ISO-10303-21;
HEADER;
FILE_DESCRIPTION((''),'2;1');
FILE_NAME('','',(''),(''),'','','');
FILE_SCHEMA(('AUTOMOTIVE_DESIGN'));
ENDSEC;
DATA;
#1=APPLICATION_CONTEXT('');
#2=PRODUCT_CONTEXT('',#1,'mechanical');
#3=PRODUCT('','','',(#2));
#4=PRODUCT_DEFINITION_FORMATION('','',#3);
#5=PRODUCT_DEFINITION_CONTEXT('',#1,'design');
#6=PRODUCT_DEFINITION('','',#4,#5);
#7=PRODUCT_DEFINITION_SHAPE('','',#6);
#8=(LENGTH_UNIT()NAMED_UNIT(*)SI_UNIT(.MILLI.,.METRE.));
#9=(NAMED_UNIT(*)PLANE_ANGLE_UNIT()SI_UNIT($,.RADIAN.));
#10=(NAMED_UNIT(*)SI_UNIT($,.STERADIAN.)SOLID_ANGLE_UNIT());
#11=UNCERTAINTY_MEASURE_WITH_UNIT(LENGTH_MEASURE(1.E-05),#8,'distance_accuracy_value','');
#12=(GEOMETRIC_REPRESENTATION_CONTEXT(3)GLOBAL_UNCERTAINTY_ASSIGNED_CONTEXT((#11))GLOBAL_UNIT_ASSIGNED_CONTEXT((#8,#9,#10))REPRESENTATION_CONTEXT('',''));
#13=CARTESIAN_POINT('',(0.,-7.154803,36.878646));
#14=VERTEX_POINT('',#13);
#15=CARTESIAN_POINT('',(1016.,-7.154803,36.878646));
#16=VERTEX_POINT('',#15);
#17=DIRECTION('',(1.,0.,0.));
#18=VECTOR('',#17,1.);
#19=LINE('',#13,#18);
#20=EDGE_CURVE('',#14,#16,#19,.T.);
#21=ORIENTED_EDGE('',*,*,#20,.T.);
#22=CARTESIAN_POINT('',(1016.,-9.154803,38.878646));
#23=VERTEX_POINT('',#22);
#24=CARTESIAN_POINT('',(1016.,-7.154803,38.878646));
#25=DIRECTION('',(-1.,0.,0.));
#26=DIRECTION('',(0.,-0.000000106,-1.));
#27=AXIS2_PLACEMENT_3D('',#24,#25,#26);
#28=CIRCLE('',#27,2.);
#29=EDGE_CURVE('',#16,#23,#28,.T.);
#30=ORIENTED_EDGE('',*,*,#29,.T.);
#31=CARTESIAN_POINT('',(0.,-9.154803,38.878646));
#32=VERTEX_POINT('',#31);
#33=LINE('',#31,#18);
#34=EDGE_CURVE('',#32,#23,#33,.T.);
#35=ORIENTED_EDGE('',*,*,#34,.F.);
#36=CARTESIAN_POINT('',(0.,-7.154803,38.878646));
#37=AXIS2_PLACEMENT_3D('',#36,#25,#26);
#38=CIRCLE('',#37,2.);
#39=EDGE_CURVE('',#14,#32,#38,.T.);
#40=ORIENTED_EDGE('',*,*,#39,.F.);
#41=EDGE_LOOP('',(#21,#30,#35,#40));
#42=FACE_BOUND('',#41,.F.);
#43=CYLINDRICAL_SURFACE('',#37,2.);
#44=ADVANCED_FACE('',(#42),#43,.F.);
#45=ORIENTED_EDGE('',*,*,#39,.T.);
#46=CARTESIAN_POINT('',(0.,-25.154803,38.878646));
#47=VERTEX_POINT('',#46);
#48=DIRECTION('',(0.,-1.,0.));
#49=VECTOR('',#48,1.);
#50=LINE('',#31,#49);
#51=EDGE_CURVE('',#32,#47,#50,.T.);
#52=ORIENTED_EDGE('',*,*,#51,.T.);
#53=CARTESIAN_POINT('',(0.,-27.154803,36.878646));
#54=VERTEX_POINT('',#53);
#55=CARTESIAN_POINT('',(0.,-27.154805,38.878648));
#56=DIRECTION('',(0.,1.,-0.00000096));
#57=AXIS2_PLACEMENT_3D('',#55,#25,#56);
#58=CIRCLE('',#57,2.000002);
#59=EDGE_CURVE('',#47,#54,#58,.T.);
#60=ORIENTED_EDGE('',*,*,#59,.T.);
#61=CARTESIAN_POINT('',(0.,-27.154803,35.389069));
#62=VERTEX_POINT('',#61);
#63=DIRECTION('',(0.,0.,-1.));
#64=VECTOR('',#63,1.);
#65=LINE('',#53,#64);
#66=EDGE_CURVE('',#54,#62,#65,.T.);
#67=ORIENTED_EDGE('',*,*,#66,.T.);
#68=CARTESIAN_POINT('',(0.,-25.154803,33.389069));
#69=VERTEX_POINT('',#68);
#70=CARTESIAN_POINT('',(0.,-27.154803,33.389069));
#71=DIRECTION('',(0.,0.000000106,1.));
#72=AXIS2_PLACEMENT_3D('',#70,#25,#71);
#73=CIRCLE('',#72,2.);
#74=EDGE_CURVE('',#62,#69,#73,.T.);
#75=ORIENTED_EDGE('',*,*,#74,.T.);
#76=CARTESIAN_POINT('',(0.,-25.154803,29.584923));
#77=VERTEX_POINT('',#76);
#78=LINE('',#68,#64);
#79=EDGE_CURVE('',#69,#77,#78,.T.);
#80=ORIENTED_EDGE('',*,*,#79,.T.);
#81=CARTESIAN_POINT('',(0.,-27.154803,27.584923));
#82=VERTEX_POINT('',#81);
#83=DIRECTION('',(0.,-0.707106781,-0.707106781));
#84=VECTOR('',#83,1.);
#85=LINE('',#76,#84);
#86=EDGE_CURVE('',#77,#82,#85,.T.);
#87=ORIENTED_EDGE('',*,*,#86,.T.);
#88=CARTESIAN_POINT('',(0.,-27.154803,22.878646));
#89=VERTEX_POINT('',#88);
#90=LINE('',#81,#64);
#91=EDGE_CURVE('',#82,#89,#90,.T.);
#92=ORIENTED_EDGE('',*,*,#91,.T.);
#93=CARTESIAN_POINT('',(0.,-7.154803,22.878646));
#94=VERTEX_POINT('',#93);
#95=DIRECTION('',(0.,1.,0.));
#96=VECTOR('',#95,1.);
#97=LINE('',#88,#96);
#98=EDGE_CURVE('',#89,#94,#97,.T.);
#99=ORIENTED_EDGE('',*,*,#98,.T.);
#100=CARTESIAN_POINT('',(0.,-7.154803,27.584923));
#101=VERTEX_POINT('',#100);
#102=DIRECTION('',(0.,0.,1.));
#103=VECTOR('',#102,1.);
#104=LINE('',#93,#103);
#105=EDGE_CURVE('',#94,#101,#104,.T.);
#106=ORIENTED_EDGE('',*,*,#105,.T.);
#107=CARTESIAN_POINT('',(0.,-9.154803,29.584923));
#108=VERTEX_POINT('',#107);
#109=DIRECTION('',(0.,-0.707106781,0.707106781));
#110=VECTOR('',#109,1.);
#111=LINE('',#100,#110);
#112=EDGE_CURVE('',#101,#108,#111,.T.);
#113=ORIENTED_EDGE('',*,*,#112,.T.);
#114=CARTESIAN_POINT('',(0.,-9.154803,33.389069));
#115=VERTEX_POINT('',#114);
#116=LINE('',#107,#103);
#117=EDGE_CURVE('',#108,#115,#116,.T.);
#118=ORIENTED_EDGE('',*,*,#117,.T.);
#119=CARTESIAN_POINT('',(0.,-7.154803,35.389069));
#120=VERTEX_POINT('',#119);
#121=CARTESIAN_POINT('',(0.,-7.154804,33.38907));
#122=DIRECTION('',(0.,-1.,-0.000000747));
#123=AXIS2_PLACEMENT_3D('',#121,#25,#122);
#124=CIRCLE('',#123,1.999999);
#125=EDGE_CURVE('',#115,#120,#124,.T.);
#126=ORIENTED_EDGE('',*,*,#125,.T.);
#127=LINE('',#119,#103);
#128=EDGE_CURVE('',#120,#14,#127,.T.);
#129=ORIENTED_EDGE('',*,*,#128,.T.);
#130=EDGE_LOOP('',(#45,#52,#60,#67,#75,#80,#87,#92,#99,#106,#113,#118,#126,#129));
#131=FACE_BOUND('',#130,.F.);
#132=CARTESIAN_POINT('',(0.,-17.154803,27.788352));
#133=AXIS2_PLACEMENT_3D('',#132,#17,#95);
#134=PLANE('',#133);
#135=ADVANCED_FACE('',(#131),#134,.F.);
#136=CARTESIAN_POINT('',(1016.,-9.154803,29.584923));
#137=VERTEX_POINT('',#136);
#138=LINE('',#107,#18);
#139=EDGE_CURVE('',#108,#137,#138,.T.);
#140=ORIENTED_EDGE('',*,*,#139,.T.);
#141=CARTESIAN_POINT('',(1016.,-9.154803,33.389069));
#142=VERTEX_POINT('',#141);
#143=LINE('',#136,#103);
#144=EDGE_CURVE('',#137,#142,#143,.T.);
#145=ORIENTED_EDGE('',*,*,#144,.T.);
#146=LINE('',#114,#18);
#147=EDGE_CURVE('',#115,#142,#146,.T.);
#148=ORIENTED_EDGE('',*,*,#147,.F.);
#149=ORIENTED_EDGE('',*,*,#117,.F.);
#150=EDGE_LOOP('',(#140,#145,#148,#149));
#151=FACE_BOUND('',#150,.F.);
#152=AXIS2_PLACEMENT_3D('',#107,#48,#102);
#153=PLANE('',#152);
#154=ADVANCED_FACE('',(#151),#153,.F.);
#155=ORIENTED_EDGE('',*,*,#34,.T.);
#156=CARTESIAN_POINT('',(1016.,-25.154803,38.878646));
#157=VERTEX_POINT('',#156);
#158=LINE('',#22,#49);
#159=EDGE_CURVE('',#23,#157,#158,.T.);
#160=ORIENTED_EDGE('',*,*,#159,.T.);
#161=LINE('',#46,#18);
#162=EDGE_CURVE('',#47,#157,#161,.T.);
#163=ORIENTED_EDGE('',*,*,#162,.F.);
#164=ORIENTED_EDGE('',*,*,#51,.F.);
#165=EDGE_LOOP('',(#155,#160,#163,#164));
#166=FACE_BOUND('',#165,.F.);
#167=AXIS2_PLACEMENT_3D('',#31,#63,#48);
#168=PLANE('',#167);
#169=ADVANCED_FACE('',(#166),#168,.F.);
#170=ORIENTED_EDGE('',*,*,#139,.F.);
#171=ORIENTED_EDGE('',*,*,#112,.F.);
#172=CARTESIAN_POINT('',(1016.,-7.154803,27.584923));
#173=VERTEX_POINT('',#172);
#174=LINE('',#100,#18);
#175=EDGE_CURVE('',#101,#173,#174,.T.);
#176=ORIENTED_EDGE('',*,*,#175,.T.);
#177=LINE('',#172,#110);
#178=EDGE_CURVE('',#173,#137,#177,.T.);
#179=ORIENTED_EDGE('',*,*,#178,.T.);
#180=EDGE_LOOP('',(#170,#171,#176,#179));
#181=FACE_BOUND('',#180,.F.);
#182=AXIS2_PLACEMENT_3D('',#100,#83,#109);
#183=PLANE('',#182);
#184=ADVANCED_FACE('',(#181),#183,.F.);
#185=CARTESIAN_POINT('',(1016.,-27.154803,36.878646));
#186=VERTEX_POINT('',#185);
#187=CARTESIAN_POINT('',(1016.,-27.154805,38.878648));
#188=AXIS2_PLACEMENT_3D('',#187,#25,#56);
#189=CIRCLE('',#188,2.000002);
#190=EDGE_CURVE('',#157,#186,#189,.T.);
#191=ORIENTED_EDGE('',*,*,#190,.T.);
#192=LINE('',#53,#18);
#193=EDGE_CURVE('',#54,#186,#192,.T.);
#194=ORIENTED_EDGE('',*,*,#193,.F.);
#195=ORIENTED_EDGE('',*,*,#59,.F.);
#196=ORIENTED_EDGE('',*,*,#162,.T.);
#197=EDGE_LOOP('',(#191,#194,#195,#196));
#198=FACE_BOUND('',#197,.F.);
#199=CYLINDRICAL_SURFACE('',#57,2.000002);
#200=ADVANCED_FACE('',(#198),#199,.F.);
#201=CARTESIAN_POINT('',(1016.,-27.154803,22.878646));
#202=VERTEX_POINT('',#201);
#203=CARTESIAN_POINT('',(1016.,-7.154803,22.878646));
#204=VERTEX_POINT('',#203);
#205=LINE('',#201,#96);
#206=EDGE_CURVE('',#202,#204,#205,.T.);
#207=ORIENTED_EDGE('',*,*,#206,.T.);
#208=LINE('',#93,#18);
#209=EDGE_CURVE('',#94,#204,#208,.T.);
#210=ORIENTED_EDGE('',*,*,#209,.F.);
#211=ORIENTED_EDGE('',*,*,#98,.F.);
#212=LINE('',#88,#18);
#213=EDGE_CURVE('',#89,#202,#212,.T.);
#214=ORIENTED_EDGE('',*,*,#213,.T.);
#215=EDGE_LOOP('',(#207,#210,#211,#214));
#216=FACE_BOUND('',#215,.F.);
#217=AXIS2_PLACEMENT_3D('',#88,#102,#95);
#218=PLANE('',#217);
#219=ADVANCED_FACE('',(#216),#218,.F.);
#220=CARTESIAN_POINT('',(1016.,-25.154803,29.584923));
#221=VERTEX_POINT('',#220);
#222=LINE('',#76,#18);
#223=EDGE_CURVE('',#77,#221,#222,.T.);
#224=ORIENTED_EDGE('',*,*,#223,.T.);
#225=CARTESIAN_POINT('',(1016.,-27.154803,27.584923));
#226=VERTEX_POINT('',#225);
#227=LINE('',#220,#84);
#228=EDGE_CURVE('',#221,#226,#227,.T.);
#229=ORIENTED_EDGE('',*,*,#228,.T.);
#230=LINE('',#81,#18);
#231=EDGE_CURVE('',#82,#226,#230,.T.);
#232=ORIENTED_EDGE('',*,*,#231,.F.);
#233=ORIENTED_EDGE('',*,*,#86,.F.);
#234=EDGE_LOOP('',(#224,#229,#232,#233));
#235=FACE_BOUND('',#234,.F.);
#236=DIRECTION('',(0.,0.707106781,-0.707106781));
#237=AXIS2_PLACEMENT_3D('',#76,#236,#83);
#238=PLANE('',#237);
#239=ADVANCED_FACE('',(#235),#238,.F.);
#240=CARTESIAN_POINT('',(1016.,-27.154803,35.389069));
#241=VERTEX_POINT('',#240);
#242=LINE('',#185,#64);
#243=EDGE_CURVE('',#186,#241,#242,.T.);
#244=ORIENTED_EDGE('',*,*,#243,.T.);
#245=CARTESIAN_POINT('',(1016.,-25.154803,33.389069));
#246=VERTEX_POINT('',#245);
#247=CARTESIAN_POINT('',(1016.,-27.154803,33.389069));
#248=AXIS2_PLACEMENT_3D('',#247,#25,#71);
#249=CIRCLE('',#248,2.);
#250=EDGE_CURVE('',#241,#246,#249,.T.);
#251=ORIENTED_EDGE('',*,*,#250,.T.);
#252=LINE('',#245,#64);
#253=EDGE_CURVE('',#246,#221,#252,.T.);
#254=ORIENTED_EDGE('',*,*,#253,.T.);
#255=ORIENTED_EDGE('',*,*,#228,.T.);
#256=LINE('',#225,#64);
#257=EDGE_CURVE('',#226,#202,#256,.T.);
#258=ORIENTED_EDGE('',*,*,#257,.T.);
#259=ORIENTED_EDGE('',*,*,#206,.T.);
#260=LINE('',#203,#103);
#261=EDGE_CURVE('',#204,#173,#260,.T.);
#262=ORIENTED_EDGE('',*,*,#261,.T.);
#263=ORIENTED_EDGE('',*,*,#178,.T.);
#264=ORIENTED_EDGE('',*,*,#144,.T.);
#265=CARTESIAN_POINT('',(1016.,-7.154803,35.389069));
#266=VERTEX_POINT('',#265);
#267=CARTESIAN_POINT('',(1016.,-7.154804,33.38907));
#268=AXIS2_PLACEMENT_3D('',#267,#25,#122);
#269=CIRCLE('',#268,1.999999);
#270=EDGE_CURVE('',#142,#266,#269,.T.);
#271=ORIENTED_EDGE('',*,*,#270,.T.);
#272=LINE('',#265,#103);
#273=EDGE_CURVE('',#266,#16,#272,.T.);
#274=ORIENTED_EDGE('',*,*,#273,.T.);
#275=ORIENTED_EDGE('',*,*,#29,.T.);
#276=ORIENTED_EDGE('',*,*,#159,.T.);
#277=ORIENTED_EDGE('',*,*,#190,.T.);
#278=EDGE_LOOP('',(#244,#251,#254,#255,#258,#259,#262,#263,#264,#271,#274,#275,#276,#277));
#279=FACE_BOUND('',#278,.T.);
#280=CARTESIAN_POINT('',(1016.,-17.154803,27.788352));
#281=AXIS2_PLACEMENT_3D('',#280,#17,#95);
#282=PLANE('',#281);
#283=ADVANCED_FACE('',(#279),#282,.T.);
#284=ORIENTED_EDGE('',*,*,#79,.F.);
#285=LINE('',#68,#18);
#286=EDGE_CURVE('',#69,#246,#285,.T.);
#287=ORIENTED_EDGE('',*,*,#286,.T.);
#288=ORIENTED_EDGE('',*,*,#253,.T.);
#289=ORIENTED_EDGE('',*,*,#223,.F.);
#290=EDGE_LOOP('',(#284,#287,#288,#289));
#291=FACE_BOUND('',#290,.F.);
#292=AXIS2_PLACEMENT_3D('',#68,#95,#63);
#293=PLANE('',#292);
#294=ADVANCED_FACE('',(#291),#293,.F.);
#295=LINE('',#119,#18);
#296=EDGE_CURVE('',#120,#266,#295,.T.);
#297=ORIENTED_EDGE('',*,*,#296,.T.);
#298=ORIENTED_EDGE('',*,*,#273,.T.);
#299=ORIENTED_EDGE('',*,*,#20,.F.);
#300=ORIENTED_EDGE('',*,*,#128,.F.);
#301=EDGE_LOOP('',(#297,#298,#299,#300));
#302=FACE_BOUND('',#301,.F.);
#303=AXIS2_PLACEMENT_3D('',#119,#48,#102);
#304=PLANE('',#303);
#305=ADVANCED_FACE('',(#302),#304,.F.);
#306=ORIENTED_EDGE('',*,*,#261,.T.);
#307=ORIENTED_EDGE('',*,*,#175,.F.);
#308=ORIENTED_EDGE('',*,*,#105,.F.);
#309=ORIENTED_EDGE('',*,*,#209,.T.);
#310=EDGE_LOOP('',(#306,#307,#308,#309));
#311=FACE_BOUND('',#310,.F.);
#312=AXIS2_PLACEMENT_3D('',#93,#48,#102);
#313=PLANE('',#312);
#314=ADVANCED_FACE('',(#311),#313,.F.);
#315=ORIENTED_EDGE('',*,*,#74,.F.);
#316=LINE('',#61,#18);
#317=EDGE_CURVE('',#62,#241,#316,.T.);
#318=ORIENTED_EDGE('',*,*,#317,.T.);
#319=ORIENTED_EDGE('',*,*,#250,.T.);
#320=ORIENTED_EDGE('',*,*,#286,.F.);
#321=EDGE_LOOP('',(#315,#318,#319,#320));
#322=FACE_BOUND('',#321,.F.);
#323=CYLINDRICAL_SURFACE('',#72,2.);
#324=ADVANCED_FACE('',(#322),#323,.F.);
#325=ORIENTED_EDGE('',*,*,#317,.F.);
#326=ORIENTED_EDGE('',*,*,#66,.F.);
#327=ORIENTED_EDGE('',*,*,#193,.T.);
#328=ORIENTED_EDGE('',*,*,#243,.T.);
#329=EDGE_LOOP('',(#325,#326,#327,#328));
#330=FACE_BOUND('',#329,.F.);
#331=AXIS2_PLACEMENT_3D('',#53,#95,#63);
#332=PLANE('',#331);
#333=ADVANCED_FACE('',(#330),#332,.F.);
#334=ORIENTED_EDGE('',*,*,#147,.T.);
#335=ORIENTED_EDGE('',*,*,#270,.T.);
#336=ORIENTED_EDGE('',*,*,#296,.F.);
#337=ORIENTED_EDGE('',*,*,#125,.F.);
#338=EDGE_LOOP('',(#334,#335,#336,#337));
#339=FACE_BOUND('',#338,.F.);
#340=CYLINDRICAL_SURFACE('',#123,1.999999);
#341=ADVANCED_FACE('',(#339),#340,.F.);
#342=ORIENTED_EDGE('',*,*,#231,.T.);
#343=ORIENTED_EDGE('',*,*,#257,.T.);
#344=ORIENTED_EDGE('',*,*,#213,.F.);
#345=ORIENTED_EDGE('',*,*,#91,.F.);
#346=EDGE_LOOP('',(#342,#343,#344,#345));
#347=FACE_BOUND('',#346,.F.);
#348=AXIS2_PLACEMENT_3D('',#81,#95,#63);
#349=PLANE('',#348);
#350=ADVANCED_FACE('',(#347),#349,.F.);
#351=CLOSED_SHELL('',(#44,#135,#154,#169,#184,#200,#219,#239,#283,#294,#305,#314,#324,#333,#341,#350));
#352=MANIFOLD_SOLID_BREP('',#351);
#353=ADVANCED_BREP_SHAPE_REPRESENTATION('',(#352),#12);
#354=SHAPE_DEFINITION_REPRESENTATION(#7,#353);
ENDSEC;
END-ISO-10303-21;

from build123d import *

# Parameters (mm, degrees)
F1_DEPTH = 1016


with BuildPart() as f1:
    # F0 (on Right) → F1 (new body)
    with BuildSketch(Plane.YZ):
        Polygon((-27.154803, 22.878646), (-7.154803, 22.878646), (-7.154803, 27.584923), (-9.154803, 29.584923), (-9.154803, 33.389069), (-25.154803, 33.389069), (-25.154803, 29.584923), (-27.154803, 27.584923), align=None)
        with BuildLine():
            ThreePointArc((-9.154803, 33.389069), (-8.569017, 34.803283), (-7.154803, 35.389069))
            Line((-7.154803, 35.389069), (-7.154803, 36.878646))
            ThreePointArc((-7.154803, 36.878646), (-8.569017, 37.464433), (-9.154803, 38.878646))
            Line((-9.154803, 38.878646), (-25.154803, 38.878646))
            ThreePointArc((-25.154803, 38.878646), (-25.74059, 37.464433), (-27.154803, 36.878646))
            Line((-27.154803, 36.878646), (-27.154803, 35.389069))
            ThreePointArc((-27.154803, 35.389069), (-25.74059, 34.803283), (-25.154803, 33.389069))
            Line((-25.154803, 33.389069), (-9.154803, 33.389069))
        make_face()
    extrude(amount=F1_DEPTH)


solid = f1.part
